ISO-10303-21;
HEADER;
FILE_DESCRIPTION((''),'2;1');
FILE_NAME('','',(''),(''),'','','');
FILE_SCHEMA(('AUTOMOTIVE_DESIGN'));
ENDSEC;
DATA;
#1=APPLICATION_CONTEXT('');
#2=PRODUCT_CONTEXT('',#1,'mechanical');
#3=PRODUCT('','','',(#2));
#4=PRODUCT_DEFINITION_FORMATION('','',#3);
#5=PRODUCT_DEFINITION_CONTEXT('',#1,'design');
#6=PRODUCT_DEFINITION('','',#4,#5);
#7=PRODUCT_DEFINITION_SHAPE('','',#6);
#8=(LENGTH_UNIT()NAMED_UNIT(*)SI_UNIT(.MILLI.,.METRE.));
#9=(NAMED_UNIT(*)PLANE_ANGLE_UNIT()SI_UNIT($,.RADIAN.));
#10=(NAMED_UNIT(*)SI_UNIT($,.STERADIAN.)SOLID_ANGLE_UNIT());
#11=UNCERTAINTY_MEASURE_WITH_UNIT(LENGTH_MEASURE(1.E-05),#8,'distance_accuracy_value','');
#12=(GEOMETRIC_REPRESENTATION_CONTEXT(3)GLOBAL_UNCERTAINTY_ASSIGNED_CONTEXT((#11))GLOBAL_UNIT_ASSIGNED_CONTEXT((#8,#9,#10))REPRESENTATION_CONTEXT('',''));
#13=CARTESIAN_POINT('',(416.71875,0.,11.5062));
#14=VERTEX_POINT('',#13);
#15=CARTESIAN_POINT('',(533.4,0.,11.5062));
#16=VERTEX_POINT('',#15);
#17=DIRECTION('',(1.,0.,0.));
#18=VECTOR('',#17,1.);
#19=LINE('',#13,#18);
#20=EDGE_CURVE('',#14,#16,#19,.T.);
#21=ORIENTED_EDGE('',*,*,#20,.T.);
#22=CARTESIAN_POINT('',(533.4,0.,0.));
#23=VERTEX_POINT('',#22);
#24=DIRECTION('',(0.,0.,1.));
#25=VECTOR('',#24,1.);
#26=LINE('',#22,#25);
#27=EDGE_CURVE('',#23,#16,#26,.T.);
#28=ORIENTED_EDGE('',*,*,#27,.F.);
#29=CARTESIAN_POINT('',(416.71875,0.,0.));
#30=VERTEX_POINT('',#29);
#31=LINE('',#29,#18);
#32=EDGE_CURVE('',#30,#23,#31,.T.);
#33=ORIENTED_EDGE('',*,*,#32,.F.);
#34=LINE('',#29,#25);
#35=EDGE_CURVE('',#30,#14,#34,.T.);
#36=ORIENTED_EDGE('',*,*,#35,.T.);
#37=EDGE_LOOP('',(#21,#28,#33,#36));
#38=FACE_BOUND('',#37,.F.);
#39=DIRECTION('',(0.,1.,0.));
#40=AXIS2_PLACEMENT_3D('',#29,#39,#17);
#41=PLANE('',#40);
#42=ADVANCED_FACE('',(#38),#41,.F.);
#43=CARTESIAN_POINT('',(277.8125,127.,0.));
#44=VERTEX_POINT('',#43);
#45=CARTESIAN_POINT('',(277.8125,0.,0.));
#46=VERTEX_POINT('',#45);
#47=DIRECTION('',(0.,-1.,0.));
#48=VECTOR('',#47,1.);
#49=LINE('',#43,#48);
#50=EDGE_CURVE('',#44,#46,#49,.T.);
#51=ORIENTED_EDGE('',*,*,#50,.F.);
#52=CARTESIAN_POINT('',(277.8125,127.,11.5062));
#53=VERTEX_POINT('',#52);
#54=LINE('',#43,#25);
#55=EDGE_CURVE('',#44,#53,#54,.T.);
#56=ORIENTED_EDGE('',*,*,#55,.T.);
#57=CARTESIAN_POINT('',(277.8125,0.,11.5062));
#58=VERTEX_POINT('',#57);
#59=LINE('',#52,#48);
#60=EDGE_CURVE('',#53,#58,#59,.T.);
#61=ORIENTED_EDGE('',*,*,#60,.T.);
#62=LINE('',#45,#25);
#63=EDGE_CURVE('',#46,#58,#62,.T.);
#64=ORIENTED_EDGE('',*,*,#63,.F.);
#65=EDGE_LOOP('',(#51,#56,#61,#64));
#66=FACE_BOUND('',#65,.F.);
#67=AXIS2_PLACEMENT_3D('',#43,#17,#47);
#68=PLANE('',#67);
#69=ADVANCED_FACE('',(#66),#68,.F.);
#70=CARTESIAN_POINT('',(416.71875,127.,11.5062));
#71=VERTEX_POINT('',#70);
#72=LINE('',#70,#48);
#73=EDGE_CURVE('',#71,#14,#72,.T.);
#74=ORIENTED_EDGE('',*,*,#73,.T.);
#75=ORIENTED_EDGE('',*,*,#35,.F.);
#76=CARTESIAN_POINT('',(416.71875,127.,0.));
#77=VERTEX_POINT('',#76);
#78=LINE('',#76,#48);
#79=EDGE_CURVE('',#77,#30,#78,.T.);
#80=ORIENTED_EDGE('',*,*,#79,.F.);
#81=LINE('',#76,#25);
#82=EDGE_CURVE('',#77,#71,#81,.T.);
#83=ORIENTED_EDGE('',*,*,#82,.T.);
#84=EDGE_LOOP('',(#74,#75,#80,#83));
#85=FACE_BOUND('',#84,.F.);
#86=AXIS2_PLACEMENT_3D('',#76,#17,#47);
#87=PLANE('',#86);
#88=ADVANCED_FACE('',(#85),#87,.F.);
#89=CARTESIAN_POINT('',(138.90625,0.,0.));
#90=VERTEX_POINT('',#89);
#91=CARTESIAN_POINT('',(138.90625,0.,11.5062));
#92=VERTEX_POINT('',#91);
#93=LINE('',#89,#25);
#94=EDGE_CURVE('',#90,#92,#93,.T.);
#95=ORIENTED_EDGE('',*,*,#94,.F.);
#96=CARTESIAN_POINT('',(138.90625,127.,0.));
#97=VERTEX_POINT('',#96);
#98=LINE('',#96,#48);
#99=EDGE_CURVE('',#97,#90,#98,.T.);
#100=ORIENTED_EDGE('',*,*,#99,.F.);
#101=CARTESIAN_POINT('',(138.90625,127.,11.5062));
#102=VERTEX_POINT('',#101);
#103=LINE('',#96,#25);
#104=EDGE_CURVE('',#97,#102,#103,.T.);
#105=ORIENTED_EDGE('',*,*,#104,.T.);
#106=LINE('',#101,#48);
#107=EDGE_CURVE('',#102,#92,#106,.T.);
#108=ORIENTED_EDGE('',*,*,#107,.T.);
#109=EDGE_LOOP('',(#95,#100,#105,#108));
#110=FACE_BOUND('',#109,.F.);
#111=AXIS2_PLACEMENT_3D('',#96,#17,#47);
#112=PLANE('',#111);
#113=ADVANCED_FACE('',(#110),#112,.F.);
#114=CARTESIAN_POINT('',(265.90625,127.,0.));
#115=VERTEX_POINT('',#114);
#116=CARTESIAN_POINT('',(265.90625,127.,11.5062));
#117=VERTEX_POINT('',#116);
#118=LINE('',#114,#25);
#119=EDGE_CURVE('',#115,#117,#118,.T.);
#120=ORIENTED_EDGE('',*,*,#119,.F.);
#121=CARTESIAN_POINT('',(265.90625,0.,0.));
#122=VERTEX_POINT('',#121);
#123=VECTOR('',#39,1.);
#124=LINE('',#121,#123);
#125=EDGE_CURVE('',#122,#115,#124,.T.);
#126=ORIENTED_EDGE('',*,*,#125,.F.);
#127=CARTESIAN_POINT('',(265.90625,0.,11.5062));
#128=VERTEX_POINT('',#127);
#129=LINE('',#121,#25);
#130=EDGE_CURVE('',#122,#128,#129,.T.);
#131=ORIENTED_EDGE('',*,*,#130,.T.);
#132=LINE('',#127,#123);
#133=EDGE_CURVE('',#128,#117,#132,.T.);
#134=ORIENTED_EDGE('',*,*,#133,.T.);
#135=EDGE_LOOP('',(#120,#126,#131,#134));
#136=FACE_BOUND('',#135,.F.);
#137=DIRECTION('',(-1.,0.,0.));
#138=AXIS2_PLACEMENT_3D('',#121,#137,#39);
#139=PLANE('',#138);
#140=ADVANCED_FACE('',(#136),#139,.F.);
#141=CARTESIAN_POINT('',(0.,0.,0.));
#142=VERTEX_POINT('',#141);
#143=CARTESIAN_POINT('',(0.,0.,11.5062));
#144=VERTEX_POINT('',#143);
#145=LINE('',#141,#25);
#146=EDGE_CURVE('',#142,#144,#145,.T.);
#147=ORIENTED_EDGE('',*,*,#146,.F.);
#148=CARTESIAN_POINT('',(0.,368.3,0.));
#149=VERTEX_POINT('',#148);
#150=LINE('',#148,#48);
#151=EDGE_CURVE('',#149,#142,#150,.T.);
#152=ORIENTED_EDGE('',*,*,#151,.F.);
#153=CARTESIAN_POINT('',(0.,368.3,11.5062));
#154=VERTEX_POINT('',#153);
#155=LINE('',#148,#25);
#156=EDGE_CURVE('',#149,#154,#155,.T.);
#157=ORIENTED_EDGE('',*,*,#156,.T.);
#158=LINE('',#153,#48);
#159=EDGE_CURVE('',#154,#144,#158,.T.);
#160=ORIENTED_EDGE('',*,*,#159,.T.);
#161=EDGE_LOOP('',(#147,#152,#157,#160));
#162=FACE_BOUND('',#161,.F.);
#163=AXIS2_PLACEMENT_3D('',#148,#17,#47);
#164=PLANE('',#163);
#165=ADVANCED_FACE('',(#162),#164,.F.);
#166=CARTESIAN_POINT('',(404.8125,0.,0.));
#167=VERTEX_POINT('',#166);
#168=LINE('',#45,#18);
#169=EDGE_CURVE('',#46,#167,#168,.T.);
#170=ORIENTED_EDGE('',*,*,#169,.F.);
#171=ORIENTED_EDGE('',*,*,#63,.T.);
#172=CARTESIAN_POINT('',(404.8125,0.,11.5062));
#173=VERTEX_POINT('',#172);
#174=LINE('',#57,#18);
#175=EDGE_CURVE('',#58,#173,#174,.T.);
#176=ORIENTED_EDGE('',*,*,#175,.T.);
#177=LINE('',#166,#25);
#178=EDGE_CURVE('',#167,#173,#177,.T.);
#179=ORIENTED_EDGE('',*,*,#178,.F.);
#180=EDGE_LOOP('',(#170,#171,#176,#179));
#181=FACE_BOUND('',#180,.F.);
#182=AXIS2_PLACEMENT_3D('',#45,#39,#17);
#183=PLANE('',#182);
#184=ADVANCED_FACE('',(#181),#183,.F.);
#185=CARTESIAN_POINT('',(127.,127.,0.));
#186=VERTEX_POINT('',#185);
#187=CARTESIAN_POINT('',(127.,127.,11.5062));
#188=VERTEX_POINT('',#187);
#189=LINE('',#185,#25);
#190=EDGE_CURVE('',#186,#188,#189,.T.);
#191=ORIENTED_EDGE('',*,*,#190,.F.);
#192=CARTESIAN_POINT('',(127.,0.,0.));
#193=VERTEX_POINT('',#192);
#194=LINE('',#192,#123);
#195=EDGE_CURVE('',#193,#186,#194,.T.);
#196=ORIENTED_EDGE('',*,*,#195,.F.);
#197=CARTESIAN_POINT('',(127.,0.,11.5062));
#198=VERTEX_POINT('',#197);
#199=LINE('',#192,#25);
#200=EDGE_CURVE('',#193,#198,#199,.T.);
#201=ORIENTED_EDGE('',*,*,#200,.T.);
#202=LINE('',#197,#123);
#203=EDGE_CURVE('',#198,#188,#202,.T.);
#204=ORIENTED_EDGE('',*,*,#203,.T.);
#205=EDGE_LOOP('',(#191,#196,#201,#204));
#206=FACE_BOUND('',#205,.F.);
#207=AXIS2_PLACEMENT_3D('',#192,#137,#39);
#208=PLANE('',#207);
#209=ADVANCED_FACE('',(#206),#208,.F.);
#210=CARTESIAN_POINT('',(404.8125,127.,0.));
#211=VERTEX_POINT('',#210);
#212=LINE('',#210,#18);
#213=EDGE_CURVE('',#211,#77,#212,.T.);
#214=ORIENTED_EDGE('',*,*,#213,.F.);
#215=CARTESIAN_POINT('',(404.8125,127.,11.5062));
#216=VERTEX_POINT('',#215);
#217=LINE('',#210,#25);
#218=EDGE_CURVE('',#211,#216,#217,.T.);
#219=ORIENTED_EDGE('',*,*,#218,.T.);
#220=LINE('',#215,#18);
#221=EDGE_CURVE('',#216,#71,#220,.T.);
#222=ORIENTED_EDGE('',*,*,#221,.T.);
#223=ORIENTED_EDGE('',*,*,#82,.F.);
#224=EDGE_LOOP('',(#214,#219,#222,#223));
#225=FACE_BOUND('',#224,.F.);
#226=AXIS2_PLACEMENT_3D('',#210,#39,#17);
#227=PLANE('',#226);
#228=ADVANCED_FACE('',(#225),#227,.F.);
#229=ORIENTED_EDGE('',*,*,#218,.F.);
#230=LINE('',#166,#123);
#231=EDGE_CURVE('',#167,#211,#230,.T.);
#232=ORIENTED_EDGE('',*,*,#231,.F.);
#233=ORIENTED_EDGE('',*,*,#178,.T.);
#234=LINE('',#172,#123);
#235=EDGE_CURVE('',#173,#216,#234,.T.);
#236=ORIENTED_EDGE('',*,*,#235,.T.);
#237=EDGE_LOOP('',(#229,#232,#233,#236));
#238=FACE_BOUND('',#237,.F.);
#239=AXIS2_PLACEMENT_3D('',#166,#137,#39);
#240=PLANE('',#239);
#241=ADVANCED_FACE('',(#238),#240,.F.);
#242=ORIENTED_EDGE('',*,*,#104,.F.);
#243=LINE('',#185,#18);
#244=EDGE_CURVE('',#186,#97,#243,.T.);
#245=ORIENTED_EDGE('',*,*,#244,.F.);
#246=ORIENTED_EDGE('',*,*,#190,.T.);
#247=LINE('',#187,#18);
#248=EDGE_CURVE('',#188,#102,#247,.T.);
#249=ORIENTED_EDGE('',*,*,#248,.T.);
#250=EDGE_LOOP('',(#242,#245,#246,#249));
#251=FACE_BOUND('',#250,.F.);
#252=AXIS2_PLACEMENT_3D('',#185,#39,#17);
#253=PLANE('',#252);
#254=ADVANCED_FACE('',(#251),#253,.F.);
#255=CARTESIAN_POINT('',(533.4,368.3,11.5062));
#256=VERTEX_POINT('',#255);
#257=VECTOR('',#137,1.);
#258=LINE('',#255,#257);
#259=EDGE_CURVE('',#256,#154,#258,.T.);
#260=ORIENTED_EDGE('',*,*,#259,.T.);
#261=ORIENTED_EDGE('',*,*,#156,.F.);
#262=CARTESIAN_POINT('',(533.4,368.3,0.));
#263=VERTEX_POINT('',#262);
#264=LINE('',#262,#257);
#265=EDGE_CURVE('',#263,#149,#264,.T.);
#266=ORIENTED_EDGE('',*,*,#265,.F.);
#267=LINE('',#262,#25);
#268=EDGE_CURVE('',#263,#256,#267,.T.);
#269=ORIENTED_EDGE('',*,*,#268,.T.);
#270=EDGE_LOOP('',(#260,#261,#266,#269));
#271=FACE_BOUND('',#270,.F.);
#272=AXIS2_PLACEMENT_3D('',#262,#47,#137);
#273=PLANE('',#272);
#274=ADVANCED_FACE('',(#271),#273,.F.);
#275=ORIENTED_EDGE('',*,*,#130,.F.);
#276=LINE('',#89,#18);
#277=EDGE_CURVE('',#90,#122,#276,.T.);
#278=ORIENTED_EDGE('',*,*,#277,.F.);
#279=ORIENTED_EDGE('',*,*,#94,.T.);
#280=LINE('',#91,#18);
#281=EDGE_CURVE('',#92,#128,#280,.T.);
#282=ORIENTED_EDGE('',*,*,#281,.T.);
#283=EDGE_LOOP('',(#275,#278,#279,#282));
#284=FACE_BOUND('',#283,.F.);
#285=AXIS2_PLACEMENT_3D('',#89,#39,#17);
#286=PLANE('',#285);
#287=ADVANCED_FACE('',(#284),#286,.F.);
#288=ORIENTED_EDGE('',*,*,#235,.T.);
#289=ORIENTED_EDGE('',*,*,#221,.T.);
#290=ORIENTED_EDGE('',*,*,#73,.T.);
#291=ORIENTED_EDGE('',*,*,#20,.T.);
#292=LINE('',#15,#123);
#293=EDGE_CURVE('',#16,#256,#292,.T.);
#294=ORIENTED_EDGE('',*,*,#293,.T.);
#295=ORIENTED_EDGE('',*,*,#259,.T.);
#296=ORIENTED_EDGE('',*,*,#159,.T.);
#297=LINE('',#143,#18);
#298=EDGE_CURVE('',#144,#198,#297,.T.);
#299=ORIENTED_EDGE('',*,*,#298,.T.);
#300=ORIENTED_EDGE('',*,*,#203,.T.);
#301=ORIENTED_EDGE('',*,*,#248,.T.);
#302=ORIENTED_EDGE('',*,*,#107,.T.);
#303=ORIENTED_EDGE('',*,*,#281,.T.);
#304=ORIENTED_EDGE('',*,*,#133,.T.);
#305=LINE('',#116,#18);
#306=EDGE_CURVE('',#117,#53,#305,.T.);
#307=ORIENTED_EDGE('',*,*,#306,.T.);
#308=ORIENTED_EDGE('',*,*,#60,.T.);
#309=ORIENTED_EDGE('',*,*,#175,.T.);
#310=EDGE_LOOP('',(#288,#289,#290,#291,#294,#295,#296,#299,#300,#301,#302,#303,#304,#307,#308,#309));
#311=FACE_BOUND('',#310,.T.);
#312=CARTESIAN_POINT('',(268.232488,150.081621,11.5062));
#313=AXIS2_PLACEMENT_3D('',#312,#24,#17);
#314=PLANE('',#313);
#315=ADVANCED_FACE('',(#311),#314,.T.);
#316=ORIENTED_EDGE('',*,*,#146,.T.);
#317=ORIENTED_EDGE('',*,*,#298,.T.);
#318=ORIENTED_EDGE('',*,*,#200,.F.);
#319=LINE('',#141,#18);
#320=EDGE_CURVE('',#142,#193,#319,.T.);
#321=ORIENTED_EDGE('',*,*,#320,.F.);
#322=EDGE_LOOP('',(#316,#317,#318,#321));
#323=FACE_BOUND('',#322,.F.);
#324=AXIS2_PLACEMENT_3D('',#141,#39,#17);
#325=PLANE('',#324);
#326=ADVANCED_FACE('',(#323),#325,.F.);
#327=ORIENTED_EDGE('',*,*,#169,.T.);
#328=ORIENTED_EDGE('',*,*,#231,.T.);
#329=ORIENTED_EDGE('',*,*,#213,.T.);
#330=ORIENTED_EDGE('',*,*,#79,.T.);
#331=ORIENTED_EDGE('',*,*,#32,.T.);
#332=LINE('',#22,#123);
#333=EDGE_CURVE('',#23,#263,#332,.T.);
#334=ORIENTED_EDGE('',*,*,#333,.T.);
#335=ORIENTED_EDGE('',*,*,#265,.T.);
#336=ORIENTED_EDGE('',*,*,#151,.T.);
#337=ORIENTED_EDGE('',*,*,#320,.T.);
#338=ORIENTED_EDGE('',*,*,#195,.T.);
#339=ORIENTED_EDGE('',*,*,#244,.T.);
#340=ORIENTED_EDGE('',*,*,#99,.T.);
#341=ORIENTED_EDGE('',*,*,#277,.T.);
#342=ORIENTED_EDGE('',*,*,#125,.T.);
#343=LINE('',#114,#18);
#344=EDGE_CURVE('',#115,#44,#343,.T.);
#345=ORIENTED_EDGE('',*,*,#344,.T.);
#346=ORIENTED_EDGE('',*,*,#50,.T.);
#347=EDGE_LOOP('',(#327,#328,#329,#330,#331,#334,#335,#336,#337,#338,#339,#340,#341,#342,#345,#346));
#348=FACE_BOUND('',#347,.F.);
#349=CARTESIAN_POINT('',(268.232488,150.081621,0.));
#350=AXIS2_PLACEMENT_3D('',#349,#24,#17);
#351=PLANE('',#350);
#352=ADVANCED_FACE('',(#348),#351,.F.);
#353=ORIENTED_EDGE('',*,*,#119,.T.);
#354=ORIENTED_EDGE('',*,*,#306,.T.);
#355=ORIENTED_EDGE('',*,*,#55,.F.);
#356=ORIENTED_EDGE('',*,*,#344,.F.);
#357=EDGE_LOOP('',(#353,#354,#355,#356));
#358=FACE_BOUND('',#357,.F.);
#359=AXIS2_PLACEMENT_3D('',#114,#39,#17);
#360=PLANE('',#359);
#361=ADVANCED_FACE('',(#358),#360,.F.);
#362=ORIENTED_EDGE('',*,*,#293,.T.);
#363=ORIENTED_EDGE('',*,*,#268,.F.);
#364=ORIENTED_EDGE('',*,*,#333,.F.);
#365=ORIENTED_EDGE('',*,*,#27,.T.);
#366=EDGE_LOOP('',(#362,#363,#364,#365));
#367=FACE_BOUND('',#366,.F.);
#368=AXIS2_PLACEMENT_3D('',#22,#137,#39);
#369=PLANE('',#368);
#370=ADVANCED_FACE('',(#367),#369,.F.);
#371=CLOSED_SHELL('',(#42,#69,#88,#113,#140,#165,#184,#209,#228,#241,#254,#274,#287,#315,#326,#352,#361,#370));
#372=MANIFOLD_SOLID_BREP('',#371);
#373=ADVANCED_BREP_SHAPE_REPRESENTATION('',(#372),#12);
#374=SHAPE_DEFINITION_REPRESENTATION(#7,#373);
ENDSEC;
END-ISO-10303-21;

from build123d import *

# Parameters (mm, degrees)
F1_DEPTH = 11.5062


with BuildPart() as f1:
    # F0 (on Top) → F1 (new body)
    with BuildSketch(Plane.XY):
        Polygon((0, 368.3), (0, 0), (127, 0), (127, 127), (138.90625, 127), (138.90625, 0), (265.90625, 0), (265.90625, 127), (277.8125, 127), (277.8125, 0), (404.8125, 0), (404.8125, 127), (416.71875, 127), (416.71875, 0), (533.4, 0), (533.4, 368.3), align=None)
    extrude(amount=F1_DEPTH)


solid = f1.part
